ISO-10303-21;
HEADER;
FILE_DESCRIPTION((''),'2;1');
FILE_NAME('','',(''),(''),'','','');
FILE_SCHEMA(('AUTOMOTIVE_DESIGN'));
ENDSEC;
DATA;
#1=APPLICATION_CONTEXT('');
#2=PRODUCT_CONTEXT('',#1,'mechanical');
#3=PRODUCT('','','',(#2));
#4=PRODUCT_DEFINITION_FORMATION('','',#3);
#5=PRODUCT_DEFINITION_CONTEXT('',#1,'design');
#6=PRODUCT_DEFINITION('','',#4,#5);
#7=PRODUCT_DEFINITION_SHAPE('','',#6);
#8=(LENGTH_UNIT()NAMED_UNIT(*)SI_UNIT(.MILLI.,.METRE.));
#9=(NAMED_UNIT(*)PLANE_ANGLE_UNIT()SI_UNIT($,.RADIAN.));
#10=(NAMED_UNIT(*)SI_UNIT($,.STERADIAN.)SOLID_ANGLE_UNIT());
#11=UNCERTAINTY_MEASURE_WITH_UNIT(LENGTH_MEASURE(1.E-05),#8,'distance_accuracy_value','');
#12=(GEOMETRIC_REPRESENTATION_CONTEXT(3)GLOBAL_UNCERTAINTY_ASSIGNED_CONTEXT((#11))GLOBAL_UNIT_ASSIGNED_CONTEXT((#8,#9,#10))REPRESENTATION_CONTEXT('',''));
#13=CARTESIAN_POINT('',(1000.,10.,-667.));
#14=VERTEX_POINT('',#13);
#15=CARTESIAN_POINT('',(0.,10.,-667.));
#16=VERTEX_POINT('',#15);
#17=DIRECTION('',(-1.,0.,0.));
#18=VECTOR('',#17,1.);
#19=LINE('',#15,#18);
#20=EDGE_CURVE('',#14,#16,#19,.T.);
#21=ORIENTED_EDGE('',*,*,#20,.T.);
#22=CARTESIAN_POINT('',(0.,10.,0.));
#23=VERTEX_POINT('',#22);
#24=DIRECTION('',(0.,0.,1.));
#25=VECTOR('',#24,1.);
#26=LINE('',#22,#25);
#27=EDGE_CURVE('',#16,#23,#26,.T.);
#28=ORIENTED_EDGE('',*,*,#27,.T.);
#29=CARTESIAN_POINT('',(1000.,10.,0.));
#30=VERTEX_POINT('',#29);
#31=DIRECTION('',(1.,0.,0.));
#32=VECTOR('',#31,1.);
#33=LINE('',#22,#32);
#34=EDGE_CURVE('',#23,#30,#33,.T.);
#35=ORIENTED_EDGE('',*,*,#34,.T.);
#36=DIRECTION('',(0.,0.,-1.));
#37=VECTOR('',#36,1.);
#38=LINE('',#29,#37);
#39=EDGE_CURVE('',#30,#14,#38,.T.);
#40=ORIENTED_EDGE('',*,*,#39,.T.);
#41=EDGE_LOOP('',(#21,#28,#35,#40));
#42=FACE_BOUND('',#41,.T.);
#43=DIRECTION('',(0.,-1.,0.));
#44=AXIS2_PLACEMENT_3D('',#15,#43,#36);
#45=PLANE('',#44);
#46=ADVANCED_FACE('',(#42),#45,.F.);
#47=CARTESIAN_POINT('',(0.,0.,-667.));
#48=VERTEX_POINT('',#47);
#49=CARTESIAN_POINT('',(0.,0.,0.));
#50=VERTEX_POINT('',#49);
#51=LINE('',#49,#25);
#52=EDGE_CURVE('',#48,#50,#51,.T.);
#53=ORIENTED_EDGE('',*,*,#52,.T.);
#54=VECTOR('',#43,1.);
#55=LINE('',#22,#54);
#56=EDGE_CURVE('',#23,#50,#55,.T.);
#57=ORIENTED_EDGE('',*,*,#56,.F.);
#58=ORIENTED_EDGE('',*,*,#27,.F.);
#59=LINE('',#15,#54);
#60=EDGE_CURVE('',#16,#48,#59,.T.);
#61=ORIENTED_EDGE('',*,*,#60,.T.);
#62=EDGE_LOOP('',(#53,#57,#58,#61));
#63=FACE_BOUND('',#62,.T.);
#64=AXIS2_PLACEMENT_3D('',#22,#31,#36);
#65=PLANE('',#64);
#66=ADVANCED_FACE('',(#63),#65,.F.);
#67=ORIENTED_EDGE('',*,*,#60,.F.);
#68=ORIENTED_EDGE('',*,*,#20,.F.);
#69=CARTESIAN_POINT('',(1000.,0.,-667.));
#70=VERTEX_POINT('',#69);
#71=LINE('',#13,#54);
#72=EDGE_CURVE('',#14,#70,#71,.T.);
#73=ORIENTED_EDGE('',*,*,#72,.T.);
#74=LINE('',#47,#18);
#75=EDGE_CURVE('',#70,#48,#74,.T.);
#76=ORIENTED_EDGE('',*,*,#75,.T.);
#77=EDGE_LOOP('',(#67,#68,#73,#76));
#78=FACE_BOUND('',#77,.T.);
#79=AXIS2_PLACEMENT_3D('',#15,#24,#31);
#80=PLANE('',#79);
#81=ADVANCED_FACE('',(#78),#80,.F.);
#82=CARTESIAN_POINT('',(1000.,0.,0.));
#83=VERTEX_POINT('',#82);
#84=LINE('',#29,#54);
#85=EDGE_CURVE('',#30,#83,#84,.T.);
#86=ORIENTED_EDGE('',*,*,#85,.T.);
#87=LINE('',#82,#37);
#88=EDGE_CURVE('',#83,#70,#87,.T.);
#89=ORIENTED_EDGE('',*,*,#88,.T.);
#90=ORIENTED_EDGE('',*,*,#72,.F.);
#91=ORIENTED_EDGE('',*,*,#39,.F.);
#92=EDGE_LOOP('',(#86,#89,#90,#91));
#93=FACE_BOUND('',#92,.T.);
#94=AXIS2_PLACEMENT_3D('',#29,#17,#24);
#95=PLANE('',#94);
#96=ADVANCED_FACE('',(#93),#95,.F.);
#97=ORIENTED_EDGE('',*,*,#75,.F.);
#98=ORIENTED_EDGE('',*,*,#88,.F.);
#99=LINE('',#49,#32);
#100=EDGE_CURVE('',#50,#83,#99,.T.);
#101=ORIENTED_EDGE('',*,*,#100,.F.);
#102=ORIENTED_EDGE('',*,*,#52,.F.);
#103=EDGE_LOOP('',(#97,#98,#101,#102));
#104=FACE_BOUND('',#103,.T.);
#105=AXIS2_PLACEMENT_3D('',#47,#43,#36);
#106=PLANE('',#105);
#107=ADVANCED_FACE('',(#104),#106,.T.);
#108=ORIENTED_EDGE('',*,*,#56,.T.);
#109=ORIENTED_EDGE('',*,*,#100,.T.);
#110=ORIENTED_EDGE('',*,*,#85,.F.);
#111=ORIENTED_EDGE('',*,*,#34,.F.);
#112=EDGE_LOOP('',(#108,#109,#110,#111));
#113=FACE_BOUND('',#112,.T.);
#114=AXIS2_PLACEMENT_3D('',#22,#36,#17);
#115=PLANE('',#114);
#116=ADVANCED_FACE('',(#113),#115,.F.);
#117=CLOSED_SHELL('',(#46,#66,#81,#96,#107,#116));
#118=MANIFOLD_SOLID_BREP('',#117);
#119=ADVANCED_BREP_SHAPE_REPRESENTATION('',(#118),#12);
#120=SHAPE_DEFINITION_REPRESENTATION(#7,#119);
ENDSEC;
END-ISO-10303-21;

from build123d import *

# Parameters (mm, degrees)
ESQUISSE1_W      = 1000
ESQUISSE1_H      = 667
EXTRUSION1_DEPTH = 10


with BuildPart() as part:
    # Esquisse1 → Extrusion1 (new body)
    with BuildSketch(Plane(origin=(0, 0, 0), x_dir=(1, 0, 0), z_dir=(0, 1, 0))):
        with Locations((500, 333.5)):
            Rectangle(ESQUISSE1_W, ESQUISSE1_H)
    extrude(amount=EXTRUSION1_DEPTH)


solid = part.part
